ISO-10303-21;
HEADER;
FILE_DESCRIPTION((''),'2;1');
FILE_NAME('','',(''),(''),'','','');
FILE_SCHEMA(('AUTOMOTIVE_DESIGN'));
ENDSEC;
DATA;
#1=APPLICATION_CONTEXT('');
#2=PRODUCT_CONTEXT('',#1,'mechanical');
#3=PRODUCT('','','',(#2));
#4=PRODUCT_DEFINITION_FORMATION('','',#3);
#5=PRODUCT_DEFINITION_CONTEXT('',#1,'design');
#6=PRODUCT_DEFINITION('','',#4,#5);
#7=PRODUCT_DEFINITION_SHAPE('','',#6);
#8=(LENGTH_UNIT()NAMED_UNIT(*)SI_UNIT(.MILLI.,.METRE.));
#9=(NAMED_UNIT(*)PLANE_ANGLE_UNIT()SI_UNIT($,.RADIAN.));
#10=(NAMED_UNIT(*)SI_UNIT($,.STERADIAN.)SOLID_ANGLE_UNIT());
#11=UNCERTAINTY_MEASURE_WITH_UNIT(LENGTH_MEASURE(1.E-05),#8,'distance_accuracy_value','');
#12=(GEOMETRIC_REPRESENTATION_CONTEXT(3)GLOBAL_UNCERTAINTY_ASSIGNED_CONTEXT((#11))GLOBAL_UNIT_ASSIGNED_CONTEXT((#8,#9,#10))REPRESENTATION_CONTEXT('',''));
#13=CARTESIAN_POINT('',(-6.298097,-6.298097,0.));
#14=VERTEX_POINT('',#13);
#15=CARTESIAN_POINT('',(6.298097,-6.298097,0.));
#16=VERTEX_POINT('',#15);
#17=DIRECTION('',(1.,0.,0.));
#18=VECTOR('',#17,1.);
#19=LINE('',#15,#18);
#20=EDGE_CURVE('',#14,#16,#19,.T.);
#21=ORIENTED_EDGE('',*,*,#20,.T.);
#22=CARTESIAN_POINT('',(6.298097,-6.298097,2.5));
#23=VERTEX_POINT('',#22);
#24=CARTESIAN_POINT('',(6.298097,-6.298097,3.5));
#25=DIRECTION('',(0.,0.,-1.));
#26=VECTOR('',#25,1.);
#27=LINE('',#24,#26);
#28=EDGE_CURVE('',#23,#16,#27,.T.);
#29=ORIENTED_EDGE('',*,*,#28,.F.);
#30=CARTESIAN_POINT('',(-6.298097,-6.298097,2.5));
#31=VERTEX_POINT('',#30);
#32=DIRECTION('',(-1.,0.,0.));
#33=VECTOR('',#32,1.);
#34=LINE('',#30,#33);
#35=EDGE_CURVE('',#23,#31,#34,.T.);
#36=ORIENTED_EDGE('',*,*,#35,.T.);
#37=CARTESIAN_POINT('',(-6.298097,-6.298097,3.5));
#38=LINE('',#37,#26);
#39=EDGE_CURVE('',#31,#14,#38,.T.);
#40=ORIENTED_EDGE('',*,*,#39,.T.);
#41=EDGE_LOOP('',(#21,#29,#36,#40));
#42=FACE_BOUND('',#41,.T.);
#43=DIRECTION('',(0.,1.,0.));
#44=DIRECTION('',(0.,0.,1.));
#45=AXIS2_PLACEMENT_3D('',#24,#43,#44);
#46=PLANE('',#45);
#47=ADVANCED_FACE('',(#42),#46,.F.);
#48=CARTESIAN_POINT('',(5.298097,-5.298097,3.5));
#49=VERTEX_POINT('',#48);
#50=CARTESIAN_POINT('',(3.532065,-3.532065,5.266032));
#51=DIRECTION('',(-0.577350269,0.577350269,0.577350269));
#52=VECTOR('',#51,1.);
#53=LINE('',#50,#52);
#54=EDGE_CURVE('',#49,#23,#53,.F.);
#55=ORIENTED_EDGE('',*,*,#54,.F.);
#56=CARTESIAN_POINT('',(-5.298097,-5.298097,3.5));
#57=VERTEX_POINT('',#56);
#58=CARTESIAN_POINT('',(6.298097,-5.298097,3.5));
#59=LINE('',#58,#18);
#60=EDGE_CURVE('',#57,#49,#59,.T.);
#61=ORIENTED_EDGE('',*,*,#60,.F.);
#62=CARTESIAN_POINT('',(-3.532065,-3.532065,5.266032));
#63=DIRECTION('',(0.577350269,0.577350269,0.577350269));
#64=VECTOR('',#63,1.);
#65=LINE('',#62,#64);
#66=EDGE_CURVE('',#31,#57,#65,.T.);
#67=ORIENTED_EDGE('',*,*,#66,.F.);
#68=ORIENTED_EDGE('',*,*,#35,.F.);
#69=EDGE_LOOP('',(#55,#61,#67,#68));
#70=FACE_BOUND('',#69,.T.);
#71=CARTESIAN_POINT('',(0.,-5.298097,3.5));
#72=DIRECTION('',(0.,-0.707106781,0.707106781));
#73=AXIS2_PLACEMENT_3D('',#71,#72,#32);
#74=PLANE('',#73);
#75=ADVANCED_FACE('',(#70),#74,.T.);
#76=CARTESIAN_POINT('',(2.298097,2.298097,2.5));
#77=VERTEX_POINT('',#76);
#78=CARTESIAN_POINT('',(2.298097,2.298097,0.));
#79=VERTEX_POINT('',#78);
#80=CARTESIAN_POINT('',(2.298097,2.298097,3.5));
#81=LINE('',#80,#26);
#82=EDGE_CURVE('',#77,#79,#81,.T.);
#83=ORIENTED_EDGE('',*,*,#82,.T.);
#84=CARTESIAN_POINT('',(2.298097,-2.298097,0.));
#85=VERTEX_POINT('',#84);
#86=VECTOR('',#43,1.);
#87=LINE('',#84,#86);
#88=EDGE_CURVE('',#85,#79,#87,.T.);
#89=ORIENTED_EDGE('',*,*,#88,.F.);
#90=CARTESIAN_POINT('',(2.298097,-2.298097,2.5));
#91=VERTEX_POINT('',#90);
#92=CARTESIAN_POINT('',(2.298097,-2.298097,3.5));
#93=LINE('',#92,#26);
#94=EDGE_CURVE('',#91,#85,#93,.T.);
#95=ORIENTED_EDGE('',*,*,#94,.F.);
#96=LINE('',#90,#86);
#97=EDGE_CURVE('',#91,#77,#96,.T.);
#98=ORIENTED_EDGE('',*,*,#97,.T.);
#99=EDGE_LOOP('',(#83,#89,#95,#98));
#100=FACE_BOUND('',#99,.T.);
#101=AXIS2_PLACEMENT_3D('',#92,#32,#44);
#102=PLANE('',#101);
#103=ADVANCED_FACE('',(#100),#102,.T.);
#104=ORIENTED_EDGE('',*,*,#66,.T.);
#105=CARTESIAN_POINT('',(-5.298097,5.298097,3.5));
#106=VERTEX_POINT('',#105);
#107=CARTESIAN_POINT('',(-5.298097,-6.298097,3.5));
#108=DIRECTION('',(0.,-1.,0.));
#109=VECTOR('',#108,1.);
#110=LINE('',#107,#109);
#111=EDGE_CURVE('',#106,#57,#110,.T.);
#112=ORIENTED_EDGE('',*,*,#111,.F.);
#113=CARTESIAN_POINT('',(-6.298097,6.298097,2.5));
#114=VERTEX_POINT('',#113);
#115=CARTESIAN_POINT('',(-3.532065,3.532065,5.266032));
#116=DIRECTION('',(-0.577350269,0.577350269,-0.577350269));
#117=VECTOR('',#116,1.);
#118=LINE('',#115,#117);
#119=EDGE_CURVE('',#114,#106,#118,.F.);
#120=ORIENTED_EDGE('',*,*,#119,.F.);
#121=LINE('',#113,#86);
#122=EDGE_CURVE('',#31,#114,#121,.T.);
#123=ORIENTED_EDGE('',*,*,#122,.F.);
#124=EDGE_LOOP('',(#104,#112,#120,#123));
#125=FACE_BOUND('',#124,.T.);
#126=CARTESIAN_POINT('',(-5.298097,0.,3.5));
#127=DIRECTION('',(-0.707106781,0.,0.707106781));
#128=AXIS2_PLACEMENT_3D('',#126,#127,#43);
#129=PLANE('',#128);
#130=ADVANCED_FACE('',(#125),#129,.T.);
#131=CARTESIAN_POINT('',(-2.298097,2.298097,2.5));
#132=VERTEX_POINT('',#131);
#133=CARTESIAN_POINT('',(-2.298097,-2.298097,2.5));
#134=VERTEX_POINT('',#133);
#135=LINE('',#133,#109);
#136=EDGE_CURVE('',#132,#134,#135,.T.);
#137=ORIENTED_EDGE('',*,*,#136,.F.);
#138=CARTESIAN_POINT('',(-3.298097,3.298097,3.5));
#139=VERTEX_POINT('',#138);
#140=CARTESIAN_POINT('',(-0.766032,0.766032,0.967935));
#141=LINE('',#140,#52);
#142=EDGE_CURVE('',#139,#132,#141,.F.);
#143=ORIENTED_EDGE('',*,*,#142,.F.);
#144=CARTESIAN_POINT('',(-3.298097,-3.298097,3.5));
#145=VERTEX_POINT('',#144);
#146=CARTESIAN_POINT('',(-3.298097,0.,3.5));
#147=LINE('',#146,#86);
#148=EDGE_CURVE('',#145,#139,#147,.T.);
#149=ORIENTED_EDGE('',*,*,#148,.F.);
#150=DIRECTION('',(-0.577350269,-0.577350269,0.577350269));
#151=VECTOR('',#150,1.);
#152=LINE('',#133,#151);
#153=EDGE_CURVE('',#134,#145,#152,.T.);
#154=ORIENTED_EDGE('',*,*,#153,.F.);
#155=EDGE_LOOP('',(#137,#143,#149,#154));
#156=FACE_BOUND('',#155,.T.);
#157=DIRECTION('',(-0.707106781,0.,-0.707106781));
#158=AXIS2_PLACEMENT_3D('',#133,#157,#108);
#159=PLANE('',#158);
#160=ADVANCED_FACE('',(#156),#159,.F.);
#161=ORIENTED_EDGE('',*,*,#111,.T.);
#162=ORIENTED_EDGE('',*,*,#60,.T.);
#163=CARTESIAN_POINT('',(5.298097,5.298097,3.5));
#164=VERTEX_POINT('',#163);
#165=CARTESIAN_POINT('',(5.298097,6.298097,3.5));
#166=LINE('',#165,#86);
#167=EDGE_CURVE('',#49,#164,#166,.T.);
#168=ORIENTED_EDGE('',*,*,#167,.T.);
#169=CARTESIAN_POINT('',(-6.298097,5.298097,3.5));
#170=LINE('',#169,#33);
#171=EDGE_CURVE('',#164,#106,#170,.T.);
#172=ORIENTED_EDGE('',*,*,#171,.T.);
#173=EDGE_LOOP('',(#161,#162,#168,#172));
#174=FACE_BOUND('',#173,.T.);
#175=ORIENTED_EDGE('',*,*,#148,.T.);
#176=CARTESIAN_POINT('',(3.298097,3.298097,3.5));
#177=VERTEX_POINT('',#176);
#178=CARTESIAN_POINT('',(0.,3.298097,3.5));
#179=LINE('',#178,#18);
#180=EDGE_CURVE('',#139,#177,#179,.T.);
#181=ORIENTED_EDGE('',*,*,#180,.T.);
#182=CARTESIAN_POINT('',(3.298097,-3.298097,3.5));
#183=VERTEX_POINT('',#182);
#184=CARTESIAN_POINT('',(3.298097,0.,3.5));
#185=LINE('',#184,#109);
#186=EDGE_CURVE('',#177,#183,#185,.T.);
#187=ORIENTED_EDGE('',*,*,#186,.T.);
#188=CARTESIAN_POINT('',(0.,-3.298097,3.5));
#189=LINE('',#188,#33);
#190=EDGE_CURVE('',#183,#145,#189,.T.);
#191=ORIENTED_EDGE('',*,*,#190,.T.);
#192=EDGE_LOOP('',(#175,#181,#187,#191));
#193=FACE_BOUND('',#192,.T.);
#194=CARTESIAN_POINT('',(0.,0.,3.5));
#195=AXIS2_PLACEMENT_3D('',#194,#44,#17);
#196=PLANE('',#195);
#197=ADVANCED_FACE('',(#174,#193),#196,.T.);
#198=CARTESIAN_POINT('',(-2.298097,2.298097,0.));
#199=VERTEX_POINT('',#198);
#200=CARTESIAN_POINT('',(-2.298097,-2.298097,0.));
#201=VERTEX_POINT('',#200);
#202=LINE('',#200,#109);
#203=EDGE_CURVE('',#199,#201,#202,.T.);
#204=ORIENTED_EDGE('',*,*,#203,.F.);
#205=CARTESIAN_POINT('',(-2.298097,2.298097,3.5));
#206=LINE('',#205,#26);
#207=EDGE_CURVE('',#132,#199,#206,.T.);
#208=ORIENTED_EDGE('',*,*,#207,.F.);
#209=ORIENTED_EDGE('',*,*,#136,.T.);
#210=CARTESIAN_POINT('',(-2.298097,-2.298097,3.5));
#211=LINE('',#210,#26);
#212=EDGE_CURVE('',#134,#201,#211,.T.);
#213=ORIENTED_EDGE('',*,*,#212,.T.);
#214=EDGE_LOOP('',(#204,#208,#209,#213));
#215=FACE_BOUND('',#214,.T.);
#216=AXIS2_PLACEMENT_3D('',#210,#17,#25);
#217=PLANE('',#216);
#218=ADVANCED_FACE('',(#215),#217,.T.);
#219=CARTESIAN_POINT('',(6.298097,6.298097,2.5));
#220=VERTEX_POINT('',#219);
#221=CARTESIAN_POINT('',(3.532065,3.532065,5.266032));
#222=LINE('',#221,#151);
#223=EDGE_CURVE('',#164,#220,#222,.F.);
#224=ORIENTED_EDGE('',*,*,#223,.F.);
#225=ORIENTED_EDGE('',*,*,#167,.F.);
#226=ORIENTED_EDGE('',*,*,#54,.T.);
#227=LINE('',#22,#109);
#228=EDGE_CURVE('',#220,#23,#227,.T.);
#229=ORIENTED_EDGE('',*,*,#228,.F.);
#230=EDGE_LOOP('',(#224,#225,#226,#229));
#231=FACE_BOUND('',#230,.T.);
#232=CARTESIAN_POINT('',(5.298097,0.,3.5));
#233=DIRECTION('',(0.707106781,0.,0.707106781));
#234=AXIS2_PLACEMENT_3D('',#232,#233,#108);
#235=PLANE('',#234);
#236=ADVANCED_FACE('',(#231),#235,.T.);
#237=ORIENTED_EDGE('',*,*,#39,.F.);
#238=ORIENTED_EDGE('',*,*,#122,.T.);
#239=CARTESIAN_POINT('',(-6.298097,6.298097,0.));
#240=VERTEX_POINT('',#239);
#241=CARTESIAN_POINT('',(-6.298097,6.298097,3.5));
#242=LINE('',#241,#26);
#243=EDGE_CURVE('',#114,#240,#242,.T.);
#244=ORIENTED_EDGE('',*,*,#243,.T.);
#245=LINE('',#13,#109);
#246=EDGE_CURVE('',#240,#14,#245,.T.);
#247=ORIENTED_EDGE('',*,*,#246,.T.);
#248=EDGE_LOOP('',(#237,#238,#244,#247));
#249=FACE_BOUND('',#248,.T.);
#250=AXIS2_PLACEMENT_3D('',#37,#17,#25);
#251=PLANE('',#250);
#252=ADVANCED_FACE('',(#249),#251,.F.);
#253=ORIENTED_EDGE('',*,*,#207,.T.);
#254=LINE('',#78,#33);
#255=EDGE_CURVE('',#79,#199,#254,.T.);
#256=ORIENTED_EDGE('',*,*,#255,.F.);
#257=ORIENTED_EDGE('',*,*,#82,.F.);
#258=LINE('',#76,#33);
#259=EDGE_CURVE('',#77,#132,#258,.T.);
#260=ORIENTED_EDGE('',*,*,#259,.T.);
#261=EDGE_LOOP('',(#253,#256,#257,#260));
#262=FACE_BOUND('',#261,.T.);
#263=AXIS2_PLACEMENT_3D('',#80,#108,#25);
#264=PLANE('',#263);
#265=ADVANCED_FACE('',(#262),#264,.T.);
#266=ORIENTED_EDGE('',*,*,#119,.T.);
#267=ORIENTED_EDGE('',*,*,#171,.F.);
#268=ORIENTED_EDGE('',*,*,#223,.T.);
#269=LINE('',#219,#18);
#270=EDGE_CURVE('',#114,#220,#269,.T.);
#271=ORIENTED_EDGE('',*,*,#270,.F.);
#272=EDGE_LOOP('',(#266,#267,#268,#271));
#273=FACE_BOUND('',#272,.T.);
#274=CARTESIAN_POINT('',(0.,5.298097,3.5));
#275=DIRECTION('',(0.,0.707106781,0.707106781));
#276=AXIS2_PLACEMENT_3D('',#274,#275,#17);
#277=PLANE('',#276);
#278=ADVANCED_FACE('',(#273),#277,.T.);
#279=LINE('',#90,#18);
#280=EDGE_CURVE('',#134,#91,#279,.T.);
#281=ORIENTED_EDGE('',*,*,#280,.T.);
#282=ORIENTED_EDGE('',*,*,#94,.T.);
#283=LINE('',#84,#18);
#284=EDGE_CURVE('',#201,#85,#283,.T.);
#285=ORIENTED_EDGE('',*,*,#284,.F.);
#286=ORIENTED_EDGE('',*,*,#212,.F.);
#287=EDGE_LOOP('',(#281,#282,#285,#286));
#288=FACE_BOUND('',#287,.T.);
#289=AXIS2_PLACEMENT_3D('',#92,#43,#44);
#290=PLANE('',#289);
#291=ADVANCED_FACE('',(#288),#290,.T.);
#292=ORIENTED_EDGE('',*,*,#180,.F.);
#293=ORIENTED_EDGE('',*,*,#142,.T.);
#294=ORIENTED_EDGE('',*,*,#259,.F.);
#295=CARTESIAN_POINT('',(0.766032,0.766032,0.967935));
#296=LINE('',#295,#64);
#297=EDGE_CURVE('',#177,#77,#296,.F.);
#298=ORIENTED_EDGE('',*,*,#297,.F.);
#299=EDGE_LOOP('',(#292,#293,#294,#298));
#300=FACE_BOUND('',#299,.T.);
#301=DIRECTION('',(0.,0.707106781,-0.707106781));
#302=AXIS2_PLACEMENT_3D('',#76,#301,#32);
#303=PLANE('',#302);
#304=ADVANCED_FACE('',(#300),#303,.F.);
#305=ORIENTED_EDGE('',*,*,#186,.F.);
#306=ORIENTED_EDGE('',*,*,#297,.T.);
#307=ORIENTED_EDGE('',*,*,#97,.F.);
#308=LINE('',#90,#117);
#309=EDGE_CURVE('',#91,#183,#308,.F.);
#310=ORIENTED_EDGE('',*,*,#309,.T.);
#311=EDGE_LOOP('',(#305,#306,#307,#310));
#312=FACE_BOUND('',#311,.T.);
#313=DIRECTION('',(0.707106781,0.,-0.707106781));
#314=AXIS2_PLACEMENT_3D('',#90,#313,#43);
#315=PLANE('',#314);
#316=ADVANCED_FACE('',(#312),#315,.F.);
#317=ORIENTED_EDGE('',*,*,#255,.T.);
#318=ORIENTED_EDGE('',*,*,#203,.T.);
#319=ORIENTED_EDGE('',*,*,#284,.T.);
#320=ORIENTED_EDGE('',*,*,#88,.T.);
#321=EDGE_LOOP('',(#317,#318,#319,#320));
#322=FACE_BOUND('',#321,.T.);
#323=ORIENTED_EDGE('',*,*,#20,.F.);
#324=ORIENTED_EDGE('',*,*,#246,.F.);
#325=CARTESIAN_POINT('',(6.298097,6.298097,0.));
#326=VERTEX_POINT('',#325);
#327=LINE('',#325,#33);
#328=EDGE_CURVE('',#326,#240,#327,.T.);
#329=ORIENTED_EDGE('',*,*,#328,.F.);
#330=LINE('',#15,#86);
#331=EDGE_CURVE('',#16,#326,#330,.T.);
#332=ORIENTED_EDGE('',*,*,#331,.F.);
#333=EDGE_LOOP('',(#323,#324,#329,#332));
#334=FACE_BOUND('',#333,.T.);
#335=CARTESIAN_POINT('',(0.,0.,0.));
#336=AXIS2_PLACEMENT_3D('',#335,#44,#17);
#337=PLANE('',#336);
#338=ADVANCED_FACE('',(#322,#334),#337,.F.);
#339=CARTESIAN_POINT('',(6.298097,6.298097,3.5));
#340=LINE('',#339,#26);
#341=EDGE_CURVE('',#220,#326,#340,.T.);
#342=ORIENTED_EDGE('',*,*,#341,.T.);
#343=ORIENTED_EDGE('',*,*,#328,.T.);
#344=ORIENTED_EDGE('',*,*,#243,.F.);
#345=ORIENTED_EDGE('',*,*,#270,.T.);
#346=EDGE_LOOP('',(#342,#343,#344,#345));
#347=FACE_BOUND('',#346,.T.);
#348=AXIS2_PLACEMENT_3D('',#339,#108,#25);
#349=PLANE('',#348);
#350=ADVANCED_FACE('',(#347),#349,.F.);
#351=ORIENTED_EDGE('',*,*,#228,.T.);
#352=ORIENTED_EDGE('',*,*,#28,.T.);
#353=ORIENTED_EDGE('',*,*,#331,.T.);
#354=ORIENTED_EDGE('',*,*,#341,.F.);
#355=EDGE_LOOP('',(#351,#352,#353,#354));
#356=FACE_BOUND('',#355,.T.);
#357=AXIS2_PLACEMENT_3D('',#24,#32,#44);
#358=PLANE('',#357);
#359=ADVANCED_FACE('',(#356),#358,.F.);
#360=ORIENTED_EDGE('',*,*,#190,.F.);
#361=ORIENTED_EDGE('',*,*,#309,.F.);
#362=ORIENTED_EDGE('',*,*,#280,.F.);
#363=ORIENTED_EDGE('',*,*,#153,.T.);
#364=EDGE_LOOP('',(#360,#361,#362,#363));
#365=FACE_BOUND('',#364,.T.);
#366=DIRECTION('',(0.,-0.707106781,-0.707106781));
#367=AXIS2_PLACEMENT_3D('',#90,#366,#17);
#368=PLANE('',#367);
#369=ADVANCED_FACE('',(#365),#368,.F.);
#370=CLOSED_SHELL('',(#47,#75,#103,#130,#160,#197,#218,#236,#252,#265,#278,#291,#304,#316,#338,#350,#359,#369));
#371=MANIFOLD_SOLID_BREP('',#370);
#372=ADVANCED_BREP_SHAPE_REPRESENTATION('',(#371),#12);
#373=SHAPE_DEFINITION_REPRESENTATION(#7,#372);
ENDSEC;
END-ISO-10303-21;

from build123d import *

# Parameters (mm, degrees)
SKETCH1_W           = 12.596194078
SKETCH1_H           = 12.596194078
SKETCH1_W_2         = 4.596194078
SKETCH1_H_2         = 4.596194078
BOSS_EXTRUDE1_DEPTH = 3.5
CHAMFER1_SIZE       = 1


with BuildPart() as part:
    # Sketch1 → Boss-Extrude1 (new body)
    with BuildSketch(Plane.XY):
        Rectangle(SKETCH1_W, SKETCH1_H)
        Rectangle(SKETCH1_W_2, SKETCH1_H_2, mode=Mode.SUBTRACT)
    extrude(amount=BOSS_EXTRUDE1_DEPTH)

    # Chamfer1
    chamfer1_edges = [part.edges().sort_by_distance(p)[0] for p in [
        (6.298097039, 0, 3.5),
        (-2.298097039, 0, 3.5),
        (0, 6.298097039, 3.5),
        (0, -2.298097039, 3.5),
        (2.298097039, 0, 3.5),
        (0, 2.298097039, 3.5),
        (-6.298097039, 0, 3.5),
        (0, -6.298097039, 3.5),
    ]]
    chamfer(chamfer1_edges, length=CHAMFER1_SIZE)


solid = part.part
